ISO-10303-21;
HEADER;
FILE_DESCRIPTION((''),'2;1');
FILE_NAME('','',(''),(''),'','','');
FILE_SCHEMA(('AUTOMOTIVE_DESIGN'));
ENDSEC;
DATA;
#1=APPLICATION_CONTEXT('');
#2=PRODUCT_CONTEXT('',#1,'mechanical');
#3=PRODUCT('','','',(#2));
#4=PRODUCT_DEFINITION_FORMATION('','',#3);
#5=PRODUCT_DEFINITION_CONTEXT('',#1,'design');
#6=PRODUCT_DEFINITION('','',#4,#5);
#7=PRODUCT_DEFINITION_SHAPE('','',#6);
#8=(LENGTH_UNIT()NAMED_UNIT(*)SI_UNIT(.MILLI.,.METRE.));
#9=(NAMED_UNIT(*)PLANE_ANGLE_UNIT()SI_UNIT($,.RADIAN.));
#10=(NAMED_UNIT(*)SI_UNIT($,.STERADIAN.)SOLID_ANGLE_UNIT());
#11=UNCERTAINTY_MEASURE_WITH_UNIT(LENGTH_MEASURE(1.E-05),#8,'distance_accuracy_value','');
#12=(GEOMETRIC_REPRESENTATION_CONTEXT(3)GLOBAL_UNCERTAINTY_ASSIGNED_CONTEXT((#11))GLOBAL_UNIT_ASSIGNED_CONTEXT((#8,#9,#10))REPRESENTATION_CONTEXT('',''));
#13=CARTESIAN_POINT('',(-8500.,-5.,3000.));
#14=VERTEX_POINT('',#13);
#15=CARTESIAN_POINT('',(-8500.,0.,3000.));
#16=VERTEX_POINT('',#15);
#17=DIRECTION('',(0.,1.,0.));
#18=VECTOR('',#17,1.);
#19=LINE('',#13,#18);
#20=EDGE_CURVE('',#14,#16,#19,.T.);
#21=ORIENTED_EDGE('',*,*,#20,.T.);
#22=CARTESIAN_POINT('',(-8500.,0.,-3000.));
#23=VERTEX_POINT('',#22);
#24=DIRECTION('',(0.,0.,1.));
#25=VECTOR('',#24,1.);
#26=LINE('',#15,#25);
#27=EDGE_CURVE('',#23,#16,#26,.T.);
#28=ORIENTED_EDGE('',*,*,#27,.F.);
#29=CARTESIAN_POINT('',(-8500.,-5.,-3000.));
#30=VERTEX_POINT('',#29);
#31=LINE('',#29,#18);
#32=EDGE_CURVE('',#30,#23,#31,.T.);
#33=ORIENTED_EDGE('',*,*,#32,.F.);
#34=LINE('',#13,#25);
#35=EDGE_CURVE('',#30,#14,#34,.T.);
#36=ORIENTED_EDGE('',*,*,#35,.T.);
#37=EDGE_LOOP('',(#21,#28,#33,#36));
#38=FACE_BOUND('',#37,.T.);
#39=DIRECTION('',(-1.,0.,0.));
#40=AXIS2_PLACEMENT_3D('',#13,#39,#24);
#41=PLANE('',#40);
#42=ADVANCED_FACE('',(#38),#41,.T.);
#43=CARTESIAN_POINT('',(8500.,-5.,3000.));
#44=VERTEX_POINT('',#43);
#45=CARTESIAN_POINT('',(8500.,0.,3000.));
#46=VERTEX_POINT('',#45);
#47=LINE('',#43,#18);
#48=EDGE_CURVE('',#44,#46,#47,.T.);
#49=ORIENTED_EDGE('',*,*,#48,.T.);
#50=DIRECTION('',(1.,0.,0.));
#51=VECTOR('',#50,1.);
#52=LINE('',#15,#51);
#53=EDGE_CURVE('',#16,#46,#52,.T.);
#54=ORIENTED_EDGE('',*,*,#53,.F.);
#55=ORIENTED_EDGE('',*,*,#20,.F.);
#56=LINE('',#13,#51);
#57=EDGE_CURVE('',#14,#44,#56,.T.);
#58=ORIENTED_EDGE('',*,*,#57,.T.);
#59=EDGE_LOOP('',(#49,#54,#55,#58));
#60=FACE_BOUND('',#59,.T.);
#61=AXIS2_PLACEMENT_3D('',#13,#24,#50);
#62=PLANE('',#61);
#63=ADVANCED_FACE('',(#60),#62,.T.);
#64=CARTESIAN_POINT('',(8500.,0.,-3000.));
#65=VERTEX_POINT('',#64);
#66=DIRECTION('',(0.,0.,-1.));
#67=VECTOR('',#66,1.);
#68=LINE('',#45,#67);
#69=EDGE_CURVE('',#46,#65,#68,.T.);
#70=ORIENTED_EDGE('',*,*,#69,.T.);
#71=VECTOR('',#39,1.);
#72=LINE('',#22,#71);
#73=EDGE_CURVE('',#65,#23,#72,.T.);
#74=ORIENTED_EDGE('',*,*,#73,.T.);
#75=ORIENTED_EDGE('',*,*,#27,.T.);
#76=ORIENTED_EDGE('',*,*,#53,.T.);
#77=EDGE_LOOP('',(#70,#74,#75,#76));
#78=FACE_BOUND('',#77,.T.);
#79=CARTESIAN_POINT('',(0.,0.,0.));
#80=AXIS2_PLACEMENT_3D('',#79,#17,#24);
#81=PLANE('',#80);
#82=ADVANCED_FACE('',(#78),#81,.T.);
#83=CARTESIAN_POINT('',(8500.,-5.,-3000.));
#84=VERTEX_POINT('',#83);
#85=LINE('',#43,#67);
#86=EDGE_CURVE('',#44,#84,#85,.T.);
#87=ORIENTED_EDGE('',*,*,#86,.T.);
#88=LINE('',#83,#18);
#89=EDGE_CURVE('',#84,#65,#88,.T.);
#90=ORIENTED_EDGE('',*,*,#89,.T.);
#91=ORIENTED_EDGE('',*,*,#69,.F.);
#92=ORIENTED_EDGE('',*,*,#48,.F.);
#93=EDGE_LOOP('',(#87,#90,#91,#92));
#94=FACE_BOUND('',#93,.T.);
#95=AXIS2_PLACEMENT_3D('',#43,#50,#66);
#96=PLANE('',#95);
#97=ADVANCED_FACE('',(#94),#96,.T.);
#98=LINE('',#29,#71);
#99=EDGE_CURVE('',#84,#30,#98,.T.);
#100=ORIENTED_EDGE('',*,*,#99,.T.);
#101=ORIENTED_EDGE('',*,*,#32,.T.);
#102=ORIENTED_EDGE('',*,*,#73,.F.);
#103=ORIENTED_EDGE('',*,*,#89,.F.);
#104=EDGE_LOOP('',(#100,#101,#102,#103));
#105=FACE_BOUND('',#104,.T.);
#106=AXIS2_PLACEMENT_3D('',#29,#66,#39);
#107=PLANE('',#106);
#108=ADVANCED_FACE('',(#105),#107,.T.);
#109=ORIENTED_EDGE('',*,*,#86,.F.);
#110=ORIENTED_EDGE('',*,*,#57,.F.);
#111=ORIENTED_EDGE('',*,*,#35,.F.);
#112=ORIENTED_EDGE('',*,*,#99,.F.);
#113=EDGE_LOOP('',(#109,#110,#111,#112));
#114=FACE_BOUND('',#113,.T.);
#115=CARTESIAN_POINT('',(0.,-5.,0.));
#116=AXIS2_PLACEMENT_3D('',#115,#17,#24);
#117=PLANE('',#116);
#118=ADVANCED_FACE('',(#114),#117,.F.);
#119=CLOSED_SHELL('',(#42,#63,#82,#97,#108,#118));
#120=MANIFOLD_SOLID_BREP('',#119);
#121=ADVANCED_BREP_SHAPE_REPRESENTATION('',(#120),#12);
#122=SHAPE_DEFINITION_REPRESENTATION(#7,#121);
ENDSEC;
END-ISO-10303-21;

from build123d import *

# Parameters (mm, degrees)
SKETCH1_W           = 17000
SKETCH1_H           = 6000
BOSS_EXTRUDE1_DEPTH = 5


with BuildPart() as part:
    # Sketch1 → Boss-Extrude1 (new body)
    with BuildSketch(Plane(origin=(0, 0, 0), x_dir=(1, 0, 0), z_dir=(0, 1, 0))):
        Rectangle(SKETCH1_W, SKETCH1_H)
    extrude(amount=-BOSS_EXTRUDE1_DEPTH)


solid = part.part
